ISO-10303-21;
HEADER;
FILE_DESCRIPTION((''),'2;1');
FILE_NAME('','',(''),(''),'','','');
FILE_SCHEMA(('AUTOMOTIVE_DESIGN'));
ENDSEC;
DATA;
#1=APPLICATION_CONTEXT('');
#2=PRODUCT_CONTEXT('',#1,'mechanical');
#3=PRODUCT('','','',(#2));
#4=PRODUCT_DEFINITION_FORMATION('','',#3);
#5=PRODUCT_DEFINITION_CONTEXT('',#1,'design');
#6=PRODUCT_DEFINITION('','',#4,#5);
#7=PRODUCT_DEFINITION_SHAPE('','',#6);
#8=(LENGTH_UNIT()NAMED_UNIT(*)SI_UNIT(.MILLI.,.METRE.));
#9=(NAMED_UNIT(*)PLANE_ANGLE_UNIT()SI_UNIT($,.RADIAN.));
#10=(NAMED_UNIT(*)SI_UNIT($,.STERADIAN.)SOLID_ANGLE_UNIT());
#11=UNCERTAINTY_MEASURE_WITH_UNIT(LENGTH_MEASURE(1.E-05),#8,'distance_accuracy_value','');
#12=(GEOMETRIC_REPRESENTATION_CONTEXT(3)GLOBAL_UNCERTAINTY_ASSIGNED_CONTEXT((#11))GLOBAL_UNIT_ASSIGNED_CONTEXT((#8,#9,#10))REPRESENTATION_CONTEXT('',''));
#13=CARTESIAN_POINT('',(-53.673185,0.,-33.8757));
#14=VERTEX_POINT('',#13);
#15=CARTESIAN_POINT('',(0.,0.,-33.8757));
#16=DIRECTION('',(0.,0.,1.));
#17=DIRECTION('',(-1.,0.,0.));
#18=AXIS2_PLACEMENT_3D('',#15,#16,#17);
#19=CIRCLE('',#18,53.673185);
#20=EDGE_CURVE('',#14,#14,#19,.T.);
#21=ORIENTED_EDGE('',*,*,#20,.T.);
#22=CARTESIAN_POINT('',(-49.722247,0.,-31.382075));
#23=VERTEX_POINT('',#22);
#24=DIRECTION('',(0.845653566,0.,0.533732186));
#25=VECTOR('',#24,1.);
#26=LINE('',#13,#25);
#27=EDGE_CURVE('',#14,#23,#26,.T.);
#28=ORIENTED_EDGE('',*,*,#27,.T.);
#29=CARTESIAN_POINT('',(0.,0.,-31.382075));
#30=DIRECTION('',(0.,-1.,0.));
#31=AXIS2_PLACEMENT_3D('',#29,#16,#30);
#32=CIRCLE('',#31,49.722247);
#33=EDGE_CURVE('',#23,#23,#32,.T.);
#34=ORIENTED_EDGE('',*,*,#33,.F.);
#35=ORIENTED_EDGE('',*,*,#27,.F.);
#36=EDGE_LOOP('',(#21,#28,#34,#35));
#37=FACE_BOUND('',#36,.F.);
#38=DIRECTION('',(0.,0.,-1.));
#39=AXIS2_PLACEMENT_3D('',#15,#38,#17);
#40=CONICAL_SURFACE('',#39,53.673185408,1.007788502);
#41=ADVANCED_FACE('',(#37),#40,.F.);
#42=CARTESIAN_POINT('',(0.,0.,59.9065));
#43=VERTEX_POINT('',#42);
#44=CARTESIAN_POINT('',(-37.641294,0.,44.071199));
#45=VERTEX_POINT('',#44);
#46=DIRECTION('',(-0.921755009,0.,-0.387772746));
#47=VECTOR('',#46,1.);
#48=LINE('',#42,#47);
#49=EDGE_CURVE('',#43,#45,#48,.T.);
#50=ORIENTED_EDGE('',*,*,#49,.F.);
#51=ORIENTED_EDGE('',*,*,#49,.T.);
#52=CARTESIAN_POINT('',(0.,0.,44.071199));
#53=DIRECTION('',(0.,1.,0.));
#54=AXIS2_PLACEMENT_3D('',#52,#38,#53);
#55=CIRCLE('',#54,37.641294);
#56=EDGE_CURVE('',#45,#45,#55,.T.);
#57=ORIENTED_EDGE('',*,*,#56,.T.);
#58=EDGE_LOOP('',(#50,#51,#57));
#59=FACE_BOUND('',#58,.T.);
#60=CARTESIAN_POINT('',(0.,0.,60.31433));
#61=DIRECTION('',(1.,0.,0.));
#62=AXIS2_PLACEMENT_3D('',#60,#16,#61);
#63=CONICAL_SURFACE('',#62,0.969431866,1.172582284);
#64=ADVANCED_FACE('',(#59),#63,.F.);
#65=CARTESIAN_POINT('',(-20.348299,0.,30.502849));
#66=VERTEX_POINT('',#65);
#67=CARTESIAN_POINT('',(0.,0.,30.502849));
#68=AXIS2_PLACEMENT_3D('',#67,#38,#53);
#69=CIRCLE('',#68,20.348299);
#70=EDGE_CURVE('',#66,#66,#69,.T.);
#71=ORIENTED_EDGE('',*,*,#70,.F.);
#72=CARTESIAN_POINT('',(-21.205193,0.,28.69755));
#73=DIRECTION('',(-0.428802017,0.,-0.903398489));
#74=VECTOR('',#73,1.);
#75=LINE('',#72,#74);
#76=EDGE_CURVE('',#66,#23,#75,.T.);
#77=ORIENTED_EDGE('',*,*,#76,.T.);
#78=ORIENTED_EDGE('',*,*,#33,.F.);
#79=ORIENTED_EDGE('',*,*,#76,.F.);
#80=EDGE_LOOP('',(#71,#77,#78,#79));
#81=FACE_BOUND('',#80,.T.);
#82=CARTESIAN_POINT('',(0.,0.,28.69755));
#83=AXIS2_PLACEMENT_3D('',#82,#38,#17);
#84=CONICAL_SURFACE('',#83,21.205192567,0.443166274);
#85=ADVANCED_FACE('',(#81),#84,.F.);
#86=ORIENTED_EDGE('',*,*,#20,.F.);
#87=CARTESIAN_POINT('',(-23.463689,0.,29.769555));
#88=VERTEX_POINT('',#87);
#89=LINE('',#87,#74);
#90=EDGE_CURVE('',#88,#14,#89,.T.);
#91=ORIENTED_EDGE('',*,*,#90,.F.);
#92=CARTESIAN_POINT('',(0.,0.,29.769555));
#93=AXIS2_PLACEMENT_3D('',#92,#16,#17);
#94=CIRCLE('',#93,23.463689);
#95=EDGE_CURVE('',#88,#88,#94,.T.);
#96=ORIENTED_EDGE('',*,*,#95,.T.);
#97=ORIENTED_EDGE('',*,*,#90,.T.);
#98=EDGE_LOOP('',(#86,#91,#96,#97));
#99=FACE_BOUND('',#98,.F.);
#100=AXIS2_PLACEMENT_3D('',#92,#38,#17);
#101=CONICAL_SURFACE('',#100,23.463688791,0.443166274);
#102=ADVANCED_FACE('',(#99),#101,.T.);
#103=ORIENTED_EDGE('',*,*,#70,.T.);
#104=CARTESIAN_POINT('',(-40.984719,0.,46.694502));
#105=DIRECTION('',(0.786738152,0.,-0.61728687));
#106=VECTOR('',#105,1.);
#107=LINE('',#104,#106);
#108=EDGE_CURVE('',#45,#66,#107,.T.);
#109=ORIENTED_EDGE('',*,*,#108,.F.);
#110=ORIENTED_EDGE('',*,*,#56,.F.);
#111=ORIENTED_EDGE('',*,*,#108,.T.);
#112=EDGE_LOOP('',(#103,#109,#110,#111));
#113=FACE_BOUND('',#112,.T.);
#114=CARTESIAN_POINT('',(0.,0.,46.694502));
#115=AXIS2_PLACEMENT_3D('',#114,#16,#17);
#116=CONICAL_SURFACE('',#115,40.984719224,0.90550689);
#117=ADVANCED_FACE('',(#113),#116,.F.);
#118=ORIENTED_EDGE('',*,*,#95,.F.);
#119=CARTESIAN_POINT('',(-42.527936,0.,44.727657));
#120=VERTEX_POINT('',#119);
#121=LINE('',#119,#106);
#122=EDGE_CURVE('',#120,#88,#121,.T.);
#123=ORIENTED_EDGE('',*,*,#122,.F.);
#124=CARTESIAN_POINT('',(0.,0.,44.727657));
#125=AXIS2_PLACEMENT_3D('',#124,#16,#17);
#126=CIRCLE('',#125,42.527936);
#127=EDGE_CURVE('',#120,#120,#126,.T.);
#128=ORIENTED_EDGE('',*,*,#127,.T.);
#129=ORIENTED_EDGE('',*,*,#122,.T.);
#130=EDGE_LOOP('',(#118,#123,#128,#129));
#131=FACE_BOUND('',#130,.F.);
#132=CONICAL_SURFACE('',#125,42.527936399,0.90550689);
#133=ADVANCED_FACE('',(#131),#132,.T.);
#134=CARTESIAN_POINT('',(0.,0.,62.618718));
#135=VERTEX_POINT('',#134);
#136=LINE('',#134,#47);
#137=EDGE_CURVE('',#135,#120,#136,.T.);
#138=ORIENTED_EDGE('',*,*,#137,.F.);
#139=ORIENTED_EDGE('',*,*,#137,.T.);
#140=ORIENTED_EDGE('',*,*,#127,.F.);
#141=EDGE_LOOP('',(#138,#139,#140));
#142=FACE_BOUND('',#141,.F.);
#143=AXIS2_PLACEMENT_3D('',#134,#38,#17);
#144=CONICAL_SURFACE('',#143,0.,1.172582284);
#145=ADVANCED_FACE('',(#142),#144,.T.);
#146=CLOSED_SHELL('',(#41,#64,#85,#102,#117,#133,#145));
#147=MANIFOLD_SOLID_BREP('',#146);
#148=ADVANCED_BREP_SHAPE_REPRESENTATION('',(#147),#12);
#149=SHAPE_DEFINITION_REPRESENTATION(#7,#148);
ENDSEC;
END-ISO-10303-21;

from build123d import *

# Parameters (mm, degrees)
F2_T = -2.5


with BuildPart() as f1:
    # F0 (on Front) → F1 (revolve)
    with BuildSketch(Plane.XZ):
        Polygon((-53.6731854081, -33.8757000864), (0, 0), (0, 62.6187175512), (-42.527936399, 44.7276569903), (-23.4636887908, 29.7695547342), align=None)
    revolve(axis=Axis((0, 0, 31.3093587756), (0, 0, 1)))

    # F2
    f2_openings = [f1.faces().sort_by_distance(p)[0] for p in [
        (26.836593, 0, -16.93785),
    ]]
    offset(amount=F2_T, openings=f2_openings, kind=Kind.INTERSECTION)


solid = f1.part
